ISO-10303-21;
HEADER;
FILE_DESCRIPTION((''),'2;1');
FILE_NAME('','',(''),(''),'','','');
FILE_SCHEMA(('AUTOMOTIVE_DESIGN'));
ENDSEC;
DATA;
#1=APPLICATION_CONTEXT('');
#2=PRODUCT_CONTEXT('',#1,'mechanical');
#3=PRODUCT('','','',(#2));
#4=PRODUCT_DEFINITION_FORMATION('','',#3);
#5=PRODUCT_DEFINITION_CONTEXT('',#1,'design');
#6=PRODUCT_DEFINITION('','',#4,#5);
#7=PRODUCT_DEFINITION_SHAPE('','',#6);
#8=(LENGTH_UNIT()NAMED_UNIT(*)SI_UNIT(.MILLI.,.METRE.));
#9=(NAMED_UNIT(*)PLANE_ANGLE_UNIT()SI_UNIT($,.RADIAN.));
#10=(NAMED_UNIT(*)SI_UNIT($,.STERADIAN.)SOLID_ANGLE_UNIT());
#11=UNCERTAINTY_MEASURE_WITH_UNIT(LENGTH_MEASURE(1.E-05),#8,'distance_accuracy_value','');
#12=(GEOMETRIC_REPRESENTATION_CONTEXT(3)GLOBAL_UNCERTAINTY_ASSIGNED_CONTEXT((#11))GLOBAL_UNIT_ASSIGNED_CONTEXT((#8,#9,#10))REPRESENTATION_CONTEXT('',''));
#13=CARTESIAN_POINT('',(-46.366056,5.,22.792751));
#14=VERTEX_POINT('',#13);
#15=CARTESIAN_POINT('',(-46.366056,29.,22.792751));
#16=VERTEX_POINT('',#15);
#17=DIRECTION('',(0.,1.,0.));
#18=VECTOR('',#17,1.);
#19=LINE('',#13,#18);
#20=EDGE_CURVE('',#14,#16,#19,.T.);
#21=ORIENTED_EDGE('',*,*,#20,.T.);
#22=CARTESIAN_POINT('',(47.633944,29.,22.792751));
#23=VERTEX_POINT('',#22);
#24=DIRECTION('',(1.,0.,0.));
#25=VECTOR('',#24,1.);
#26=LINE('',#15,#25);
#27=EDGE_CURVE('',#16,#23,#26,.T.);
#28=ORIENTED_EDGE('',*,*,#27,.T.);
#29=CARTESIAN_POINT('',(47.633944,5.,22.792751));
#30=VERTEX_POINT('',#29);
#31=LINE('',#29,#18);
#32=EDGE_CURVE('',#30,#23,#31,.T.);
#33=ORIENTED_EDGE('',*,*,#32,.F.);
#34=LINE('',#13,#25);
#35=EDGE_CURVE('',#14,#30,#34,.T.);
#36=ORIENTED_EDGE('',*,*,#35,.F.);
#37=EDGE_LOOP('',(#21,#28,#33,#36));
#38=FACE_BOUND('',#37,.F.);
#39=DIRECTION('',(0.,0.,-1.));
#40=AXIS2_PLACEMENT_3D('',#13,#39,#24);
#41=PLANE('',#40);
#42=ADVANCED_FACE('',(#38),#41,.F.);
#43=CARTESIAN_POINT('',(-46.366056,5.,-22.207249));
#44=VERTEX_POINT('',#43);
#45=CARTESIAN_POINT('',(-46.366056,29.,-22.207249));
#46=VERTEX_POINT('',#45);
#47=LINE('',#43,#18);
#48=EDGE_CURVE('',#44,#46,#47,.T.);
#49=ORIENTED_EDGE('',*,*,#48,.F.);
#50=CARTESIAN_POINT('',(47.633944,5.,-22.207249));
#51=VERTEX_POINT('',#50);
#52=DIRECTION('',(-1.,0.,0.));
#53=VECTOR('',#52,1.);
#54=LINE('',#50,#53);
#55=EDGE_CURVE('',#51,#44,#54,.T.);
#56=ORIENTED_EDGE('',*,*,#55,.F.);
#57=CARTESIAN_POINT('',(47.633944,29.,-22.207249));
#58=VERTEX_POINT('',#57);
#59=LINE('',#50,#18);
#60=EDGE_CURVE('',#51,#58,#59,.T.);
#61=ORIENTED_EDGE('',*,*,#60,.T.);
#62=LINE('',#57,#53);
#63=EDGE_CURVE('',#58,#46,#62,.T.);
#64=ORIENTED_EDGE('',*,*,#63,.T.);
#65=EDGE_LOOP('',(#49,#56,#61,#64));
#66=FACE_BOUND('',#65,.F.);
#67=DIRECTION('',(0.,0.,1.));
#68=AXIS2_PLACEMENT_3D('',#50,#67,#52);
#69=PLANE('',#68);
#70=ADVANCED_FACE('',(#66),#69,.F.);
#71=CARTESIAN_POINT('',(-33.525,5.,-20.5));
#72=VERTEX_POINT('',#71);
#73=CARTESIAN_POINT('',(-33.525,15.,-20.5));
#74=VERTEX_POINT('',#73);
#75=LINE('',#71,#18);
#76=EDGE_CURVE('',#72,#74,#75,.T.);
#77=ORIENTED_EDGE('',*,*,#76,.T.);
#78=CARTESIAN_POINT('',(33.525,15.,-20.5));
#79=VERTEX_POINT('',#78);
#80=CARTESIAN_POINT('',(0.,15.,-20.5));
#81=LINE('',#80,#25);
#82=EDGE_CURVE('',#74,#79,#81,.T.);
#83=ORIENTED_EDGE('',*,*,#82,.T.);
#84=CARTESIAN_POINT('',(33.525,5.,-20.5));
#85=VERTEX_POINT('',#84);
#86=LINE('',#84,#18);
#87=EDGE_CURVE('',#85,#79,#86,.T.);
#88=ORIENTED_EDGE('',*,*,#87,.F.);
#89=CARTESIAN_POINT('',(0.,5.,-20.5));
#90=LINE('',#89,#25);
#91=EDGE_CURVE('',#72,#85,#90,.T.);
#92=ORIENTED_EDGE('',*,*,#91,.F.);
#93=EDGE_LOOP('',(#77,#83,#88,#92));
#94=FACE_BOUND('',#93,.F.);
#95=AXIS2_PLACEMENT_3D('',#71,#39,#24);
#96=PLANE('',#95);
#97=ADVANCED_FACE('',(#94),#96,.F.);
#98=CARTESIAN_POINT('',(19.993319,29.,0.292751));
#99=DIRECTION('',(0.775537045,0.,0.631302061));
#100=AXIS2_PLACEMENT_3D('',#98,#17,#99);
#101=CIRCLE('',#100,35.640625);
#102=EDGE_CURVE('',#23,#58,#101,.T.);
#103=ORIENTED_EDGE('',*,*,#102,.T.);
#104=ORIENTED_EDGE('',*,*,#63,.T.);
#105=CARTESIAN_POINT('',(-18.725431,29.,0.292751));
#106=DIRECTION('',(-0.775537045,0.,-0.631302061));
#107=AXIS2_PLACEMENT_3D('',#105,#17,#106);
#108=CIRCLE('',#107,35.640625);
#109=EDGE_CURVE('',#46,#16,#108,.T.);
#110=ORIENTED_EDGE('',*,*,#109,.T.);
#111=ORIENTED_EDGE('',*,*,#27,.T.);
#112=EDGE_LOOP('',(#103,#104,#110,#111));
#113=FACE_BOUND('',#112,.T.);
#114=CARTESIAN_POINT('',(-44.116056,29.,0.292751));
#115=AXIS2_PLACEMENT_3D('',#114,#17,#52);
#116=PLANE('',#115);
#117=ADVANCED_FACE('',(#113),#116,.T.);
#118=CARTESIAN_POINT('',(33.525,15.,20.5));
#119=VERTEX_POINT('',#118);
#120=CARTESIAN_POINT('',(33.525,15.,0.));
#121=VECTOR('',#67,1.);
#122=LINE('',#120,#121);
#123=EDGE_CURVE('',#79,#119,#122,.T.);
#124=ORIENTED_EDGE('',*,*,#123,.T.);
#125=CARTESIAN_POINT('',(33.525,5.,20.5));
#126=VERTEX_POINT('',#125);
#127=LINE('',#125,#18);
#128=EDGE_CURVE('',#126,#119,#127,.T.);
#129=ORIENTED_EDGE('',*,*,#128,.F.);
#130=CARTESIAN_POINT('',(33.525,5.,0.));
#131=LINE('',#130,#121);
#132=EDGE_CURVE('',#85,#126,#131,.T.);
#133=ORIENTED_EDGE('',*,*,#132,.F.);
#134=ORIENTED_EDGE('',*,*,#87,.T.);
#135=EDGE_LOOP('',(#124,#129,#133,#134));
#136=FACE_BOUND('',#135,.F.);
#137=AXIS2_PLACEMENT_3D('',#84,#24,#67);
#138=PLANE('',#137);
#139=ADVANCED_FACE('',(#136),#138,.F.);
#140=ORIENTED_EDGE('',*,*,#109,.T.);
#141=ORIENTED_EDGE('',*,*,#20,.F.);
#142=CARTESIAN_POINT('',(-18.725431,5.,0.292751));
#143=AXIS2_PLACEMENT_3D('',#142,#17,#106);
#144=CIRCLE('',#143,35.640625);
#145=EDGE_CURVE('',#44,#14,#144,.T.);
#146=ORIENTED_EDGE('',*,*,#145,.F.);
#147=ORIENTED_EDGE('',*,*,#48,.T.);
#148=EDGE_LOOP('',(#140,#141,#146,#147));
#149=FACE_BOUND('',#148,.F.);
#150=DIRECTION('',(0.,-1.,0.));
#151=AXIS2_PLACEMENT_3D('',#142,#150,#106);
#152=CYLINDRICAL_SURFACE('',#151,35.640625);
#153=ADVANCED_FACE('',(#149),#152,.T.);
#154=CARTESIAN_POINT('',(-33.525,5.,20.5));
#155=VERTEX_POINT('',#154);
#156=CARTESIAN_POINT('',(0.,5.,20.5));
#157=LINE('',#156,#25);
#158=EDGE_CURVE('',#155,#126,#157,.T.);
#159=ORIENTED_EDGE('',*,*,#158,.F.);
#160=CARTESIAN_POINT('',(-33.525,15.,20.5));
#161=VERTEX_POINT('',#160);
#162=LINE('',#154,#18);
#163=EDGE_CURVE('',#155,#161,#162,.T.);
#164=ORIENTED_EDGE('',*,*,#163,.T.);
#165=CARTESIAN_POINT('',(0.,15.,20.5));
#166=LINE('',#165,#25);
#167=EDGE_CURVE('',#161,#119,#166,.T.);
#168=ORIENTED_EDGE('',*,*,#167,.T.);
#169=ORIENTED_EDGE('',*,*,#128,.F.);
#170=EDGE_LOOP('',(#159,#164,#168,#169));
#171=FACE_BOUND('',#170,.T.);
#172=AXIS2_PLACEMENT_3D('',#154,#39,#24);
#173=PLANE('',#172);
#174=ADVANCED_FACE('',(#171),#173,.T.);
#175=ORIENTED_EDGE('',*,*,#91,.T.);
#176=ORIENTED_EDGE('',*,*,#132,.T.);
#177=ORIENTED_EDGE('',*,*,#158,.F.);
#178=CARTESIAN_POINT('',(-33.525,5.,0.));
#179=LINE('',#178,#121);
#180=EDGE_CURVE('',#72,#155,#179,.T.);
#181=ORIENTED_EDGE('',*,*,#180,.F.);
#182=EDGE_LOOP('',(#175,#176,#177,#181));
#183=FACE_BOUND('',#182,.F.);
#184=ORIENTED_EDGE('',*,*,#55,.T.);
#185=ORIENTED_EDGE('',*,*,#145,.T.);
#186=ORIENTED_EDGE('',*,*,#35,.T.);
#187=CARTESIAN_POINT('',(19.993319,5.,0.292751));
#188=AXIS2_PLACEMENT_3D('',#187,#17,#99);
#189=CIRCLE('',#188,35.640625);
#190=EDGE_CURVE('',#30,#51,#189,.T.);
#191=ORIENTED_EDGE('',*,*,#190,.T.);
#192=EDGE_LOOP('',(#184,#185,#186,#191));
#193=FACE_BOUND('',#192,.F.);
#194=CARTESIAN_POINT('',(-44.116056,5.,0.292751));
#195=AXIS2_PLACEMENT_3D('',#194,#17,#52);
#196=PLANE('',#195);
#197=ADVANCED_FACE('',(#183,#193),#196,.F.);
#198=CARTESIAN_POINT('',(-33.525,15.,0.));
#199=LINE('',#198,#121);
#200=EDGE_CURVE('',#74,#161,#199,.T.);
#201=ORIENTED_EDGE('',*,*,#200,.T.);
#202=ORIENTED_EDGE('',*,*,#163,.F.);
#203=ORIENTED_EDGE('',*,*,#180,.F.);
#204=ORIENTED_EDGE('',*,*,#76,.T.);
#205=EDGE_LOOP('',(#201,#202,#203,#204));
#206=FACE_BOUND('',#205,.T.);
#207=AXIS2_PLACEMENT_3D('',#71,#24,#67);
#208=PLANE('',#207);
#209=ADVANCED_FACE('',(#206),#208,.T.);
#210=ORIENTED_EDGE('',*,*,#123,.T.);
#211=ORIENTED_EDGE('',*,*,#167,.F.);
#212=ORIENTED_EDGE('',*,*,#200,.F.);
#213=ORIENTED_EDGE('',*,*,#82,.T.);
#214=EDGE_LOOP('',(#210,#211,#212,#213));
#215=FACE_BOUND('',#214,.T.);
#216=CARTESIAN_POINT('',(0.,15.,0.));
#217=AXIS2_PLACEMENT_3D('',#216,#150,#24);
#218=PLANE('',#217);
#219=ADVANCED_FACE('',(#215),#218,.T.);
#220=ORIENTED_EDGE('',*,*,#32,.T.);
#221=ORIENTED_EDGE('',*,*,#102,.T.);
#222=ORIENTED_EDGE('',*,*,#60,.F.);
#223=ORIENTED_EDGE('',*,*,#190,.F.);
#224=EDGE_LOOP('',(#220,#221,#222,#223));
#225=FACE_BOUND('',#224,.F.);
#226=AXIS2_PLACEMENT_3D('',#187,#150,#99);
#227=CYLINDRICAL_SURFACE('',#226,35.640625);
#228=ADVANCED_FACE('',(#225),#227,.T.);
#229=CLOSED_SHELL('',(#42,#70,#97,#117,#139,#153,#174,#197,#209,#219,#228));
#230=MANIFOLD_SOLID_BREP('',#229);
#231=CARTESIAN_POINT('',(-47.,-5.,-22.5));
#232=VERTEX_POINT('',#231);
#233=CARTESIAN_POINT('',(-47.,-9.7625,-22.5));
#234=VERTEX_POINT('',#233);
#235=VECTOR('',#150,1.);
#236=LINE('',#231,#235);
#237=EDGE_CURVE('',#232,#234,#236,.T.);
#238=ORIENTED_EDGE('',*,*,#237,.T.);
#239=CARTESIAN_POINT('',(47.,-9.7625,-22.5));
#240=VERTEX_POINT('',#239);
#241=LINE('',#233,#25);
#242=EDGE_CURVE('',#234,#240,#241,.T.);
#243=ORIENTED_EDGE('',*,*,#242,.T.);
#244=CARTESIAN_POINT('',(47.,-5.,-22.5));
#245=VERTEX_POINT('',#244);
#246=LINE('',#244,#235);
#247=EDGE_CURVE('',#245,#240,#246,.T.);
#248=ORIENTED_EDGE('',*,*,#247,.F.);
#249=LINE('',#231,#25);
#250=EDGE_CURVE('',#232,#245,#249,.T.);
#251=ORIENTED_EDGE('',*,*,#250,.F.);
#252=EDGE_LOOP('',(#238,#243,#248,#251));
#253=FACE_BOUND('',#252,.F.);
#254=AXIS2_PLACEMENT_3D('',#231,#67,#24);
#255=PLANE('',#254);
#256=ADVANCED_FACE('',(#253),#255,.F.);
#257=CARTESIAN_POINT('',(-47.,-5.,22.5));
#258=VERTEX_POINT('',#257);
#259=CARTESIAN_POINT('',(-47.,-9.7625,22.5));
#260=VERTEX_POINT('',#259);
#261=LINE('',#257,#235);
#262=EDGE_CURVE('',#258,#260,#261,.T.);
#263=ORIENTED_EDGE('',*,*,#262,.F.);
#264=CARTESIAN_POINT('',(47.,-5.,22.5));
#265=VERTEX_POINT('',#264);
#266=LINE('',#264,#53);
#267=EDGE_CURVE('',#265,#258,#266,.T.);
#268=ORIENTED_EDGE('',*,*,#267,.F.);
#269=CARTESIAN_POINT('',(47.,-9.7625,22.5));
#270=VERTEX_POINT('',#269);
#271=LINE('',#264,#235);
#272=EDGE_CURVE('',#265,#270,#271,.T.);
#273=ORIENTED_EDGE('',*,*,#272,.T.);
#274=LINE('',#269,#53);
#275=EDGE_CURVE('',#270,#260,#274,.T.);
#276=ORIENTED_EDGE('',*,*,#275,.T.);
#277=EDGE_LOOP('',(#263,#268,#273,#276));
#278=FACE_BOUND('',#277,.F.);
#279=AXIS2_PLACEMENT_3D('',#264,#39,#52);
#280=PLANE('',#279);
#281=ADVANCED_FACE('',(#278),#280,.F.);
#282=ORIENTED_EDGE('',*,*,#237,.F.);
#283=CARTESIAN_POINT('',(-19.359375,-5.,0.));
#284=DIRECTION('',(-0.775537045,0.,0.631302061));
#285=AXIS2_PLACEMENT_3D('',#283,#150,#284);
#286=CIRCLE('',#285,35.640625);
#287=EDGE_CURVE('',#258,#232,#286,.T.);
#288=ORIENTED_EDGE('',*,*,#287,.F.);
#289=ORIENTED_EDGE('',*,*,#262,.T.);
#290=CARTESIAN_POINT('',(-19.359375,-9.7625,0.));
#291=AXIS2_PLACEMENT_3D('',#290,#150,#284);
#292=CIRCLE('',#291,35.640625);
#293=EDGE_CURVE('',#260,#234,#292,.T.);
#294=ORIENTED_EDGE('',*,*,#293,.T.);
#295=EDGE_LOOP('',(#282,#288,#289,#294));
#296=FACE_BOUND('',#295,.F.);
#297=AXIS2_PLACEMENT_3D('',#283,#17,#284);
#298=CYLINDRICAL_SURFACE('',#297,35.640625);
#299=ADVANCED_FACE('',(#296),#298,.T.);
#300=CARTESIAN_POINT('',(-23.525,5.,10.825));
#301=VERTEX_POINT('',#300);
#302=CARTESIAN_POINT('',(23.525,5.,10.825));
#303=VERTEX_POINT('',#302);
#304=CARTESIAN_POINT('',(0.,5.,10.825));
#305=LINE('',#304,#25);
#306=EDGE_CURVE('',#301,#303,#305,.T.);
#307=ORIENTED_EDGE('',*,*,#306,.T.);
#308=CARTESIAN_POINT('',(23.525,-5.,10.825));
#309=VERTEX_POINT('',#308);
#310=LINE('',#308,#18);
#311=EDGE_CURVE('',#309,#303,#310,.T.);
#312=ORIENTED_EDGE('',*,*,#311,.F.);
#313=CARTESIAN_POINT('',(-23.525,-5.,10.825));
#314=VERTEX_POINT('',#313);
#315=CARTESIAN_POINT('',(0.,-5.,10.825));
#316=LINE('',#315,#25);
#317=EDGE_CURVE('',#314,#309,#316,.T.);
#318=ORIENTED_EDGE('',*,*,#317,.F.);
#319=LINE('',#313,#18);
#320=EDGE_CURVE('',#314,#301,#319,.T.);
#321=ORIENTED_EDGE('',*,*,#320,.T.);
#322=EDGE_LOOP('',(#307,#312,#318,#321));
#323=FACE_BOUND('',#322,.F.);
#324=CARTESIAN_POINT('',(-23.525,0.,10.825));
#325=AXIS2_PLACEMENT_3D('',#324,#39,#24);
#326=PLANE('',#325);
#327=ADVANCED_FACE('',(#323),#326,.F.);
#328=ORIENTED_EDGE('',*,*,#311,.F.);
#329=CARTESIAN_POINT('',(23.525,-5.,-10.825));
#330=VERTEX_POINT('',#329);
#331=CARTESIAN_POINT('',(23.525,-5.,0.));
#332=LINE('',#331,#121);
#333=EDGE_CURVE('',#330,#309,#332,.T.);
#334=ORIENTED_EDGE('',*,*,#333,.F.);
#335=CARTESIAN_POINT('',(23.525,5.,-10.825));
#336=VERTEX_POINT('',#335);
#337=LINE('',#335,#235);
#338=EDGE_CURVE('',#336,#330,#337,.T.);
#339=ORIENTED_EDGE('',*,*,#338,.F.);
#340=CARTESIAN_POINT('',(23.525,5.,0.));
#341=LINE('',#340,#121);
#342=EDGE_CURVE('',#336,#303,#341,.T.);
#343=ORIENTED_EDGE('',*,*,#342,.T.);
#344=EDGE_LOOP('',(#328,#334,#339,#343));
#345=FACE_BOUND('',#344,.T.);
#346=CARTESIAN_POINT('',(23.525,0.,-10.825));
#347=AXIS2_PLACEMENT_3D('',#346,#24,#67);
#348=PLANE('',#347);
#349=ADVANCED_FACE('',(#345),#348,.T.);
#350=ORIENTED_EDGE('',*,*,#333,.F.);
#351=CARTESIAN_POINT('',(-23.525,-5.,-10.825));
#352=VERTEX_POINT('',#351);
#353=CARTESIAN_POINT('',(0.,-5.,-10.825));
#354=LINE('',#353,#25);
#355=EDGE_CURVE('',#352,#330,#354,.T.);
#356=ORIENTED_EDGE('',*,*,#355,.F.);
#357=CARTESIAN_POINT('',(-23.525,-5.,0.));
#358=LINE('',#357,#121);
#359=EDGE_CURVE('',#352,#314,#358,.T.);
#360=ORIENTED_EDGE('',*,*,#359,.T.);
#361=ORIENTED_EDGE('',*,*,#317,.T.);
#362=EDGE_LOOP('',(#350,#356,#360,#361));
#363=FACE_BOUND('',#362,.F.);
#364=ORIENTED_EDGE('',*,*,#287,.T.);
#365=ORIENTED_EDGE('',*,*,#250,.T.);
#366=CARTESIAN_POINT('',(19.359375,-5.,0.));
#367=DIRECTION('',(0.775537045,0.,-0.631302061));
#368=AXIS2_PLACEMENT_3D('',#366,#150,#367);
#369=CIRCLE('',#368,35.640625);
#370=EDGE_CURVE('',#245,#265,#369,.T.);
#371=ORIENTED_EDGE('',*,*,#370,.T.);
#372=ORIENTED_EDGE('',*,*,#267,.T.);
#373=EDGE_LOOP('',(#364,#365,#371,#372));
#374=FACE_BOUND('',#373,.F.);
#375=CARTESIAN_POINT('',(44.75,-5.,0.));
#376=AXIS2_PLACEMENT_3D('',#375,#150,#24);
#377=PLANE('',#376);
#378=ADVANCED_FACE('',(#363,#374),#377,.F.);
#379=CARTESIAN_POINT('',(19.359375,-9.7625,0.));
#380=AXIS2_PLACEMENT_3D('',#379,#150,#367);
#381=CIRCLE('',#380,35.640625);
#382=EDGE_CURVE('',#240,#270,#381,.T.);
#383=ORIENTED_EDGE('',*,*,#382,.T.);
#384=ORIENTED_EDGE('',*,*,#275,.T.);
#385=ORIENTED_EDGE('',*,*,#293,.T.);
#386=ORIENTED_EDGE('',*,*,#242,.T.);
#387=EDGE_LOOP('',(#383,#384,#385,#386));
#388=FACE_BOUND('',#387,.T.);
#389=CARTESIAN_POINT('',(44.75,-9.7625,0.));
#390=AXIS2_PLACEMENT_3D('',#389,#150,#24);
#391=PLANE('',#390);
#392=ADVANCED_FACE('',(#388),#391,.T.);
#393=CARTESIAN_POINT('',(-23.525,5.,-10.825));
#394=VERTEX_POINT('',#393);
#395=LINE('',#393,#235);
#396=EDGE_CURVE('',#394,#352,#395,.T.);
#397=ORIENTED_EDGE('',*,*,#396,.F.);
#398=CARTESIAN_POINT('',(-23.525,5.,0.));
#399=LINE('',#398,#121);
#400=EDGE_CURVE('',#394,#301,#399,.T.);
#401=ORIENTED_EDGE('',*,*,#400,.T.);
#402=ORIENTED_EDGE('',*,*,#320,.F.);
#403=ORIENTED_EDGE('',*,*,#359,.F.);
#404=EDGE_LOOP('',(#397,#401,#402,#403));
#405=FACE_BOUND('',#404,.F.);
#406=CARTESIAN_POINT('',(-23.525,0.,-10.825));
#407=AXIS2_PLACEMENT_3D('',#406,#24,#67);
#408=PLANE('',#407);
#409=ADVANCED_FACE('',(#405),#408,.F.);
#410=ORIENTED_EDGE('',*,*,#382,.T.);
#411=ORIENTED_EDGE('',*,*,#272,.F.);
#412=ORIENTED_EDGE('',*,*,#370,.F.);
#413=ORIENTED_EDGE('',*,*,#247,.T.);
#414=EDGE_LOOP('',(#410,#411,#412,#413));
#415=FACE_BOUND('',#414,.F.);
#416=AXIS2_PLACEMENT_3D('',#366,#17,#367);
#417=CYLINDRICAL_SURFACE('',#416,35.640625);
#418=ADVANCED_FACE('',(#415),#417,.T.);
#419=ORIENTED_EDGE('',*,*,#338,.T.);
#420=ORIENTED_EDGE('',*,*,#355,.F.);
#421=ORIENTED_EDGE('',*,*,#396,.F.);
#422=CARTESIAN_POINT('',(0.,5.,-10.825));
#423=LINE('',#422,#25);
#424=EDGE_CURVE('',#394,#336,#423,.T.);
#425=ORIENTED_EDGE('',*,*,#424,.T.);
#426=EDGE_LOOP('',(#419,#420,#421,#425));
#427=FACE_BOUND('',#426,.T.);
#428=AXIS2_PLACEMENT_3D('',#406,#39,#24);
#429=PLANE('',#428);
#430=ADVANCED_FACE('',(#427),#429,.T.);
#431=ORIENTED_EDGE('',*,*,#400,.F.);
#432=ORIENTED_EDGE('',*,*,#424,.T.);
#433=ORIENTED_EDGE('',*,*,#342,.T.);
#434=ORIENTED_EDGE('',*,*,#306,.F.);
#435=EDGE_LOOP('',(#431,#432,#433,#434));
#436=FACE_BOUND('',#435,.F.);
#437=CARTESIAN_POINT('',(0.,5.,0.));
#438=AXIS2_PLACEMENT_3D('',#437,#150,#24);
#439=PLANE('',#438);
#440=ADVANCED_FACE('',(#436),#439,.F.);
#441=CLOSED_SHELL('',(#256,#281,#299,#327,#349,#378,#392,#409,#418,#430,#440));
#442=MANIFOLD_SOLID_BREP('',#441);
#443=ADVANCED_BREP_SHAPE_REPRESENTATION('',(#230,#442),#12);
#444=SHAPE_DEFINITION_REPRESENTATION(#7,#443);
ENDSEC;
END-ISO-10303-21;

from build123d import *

# Parameters (mm, degrees)
F0_W     = 47.05
F0_H     = 21.65
F1_DEPTH = 5
F2_W     = 4.5
F2_H     = 45
F2_W_2   = 85
F3_DEPTH = 4.7625
F4_W     = 4.5
F4_H     = 45
F4_W_2   = 85
F5_DEPTH = 24
F6_W     = 67.05
F6_H     = 41
F7_DEPTH = 10


with BuildPart() as f1:
    # F0 (on Front) → F1 (new body, symmetric)
    with BuildSketch(Plane.XZ):
        Rectangle(F0_W, F0_H)
    extrude(amount=F1_DEPTH, both=True)

    # F2 (on face) → F3 (join)
    with BuildSketch(Plane.XZ.offset(5)):
        with Locations((44.75, 0)):
            Rectangle(F2_W, F2_H)
        with BuildLine():
            ThreePointArc((47, -22.5), (55, 0), (47, 22.5))
            Line((47, 22.5), (47, -22.5))
        make_face()
        Rectangle(F2_W_2, F2_H)
        with Locations((-44.75, 0)):
            Rectangle(F2_W, F2_H)
        with BuildLine():
            Line((-47, -22.5), (-47, 22.5))
            ThreePointArc((-47, 22.5), (-55, 0), (-47, -22.5))
        make_face()
    extrude(amount=F3_DEPTH)


with BuildPart() as f5:
    # F4 (on face) → F5 (new body)
    with BuildSketch(Plane(origin=(0, 5, 0), x_dir=(-1, 0, 0), z_dir=(0, 1, 0))):
        with Locations((44.1160562322, 0.2927509486)):
            Rectangle(F4_W, F4_H)
        with BuildLine():
            Line((46.3660562322, 22.7927509486), (46.3660562322, -22.2072490514))
            ThreePointArc((46.3660562322, -22.2072490514), (54.3660562322, 0.2927509486), (46.3660562322, 22.7927509486))
        make_face()
        with Locations((-0.6339437678, 0.2927509486)):
            Rectangle(F4_W_2, F4_H)
        with Locations((-45.3839437678, 0.2927509486)):
            Rectangle(F4_W, F4_H)
        with BuildLine():
            ThreePointArc((-47.6339437678, 22.7927509486), (-55.6339437678, 0.2927509486), (-47.6339437678, -22.2072490514))
            Line((-47.6339437678, -22.2072490514), (-47.6339437678, 22.7927509486))
        make_face()
    extrude(amount=F5_DEPTH)

    # F6 (on face) → F7 (cut)
    with BuildSketch(Plane.XZ.offset(-5)):
        Rectangle(F6_W, F6_H)
    extrude(amount=-F7_DEPTH, mode=Mode.SUBTRACT)


solid = Compound([f1.part, f5.part])
